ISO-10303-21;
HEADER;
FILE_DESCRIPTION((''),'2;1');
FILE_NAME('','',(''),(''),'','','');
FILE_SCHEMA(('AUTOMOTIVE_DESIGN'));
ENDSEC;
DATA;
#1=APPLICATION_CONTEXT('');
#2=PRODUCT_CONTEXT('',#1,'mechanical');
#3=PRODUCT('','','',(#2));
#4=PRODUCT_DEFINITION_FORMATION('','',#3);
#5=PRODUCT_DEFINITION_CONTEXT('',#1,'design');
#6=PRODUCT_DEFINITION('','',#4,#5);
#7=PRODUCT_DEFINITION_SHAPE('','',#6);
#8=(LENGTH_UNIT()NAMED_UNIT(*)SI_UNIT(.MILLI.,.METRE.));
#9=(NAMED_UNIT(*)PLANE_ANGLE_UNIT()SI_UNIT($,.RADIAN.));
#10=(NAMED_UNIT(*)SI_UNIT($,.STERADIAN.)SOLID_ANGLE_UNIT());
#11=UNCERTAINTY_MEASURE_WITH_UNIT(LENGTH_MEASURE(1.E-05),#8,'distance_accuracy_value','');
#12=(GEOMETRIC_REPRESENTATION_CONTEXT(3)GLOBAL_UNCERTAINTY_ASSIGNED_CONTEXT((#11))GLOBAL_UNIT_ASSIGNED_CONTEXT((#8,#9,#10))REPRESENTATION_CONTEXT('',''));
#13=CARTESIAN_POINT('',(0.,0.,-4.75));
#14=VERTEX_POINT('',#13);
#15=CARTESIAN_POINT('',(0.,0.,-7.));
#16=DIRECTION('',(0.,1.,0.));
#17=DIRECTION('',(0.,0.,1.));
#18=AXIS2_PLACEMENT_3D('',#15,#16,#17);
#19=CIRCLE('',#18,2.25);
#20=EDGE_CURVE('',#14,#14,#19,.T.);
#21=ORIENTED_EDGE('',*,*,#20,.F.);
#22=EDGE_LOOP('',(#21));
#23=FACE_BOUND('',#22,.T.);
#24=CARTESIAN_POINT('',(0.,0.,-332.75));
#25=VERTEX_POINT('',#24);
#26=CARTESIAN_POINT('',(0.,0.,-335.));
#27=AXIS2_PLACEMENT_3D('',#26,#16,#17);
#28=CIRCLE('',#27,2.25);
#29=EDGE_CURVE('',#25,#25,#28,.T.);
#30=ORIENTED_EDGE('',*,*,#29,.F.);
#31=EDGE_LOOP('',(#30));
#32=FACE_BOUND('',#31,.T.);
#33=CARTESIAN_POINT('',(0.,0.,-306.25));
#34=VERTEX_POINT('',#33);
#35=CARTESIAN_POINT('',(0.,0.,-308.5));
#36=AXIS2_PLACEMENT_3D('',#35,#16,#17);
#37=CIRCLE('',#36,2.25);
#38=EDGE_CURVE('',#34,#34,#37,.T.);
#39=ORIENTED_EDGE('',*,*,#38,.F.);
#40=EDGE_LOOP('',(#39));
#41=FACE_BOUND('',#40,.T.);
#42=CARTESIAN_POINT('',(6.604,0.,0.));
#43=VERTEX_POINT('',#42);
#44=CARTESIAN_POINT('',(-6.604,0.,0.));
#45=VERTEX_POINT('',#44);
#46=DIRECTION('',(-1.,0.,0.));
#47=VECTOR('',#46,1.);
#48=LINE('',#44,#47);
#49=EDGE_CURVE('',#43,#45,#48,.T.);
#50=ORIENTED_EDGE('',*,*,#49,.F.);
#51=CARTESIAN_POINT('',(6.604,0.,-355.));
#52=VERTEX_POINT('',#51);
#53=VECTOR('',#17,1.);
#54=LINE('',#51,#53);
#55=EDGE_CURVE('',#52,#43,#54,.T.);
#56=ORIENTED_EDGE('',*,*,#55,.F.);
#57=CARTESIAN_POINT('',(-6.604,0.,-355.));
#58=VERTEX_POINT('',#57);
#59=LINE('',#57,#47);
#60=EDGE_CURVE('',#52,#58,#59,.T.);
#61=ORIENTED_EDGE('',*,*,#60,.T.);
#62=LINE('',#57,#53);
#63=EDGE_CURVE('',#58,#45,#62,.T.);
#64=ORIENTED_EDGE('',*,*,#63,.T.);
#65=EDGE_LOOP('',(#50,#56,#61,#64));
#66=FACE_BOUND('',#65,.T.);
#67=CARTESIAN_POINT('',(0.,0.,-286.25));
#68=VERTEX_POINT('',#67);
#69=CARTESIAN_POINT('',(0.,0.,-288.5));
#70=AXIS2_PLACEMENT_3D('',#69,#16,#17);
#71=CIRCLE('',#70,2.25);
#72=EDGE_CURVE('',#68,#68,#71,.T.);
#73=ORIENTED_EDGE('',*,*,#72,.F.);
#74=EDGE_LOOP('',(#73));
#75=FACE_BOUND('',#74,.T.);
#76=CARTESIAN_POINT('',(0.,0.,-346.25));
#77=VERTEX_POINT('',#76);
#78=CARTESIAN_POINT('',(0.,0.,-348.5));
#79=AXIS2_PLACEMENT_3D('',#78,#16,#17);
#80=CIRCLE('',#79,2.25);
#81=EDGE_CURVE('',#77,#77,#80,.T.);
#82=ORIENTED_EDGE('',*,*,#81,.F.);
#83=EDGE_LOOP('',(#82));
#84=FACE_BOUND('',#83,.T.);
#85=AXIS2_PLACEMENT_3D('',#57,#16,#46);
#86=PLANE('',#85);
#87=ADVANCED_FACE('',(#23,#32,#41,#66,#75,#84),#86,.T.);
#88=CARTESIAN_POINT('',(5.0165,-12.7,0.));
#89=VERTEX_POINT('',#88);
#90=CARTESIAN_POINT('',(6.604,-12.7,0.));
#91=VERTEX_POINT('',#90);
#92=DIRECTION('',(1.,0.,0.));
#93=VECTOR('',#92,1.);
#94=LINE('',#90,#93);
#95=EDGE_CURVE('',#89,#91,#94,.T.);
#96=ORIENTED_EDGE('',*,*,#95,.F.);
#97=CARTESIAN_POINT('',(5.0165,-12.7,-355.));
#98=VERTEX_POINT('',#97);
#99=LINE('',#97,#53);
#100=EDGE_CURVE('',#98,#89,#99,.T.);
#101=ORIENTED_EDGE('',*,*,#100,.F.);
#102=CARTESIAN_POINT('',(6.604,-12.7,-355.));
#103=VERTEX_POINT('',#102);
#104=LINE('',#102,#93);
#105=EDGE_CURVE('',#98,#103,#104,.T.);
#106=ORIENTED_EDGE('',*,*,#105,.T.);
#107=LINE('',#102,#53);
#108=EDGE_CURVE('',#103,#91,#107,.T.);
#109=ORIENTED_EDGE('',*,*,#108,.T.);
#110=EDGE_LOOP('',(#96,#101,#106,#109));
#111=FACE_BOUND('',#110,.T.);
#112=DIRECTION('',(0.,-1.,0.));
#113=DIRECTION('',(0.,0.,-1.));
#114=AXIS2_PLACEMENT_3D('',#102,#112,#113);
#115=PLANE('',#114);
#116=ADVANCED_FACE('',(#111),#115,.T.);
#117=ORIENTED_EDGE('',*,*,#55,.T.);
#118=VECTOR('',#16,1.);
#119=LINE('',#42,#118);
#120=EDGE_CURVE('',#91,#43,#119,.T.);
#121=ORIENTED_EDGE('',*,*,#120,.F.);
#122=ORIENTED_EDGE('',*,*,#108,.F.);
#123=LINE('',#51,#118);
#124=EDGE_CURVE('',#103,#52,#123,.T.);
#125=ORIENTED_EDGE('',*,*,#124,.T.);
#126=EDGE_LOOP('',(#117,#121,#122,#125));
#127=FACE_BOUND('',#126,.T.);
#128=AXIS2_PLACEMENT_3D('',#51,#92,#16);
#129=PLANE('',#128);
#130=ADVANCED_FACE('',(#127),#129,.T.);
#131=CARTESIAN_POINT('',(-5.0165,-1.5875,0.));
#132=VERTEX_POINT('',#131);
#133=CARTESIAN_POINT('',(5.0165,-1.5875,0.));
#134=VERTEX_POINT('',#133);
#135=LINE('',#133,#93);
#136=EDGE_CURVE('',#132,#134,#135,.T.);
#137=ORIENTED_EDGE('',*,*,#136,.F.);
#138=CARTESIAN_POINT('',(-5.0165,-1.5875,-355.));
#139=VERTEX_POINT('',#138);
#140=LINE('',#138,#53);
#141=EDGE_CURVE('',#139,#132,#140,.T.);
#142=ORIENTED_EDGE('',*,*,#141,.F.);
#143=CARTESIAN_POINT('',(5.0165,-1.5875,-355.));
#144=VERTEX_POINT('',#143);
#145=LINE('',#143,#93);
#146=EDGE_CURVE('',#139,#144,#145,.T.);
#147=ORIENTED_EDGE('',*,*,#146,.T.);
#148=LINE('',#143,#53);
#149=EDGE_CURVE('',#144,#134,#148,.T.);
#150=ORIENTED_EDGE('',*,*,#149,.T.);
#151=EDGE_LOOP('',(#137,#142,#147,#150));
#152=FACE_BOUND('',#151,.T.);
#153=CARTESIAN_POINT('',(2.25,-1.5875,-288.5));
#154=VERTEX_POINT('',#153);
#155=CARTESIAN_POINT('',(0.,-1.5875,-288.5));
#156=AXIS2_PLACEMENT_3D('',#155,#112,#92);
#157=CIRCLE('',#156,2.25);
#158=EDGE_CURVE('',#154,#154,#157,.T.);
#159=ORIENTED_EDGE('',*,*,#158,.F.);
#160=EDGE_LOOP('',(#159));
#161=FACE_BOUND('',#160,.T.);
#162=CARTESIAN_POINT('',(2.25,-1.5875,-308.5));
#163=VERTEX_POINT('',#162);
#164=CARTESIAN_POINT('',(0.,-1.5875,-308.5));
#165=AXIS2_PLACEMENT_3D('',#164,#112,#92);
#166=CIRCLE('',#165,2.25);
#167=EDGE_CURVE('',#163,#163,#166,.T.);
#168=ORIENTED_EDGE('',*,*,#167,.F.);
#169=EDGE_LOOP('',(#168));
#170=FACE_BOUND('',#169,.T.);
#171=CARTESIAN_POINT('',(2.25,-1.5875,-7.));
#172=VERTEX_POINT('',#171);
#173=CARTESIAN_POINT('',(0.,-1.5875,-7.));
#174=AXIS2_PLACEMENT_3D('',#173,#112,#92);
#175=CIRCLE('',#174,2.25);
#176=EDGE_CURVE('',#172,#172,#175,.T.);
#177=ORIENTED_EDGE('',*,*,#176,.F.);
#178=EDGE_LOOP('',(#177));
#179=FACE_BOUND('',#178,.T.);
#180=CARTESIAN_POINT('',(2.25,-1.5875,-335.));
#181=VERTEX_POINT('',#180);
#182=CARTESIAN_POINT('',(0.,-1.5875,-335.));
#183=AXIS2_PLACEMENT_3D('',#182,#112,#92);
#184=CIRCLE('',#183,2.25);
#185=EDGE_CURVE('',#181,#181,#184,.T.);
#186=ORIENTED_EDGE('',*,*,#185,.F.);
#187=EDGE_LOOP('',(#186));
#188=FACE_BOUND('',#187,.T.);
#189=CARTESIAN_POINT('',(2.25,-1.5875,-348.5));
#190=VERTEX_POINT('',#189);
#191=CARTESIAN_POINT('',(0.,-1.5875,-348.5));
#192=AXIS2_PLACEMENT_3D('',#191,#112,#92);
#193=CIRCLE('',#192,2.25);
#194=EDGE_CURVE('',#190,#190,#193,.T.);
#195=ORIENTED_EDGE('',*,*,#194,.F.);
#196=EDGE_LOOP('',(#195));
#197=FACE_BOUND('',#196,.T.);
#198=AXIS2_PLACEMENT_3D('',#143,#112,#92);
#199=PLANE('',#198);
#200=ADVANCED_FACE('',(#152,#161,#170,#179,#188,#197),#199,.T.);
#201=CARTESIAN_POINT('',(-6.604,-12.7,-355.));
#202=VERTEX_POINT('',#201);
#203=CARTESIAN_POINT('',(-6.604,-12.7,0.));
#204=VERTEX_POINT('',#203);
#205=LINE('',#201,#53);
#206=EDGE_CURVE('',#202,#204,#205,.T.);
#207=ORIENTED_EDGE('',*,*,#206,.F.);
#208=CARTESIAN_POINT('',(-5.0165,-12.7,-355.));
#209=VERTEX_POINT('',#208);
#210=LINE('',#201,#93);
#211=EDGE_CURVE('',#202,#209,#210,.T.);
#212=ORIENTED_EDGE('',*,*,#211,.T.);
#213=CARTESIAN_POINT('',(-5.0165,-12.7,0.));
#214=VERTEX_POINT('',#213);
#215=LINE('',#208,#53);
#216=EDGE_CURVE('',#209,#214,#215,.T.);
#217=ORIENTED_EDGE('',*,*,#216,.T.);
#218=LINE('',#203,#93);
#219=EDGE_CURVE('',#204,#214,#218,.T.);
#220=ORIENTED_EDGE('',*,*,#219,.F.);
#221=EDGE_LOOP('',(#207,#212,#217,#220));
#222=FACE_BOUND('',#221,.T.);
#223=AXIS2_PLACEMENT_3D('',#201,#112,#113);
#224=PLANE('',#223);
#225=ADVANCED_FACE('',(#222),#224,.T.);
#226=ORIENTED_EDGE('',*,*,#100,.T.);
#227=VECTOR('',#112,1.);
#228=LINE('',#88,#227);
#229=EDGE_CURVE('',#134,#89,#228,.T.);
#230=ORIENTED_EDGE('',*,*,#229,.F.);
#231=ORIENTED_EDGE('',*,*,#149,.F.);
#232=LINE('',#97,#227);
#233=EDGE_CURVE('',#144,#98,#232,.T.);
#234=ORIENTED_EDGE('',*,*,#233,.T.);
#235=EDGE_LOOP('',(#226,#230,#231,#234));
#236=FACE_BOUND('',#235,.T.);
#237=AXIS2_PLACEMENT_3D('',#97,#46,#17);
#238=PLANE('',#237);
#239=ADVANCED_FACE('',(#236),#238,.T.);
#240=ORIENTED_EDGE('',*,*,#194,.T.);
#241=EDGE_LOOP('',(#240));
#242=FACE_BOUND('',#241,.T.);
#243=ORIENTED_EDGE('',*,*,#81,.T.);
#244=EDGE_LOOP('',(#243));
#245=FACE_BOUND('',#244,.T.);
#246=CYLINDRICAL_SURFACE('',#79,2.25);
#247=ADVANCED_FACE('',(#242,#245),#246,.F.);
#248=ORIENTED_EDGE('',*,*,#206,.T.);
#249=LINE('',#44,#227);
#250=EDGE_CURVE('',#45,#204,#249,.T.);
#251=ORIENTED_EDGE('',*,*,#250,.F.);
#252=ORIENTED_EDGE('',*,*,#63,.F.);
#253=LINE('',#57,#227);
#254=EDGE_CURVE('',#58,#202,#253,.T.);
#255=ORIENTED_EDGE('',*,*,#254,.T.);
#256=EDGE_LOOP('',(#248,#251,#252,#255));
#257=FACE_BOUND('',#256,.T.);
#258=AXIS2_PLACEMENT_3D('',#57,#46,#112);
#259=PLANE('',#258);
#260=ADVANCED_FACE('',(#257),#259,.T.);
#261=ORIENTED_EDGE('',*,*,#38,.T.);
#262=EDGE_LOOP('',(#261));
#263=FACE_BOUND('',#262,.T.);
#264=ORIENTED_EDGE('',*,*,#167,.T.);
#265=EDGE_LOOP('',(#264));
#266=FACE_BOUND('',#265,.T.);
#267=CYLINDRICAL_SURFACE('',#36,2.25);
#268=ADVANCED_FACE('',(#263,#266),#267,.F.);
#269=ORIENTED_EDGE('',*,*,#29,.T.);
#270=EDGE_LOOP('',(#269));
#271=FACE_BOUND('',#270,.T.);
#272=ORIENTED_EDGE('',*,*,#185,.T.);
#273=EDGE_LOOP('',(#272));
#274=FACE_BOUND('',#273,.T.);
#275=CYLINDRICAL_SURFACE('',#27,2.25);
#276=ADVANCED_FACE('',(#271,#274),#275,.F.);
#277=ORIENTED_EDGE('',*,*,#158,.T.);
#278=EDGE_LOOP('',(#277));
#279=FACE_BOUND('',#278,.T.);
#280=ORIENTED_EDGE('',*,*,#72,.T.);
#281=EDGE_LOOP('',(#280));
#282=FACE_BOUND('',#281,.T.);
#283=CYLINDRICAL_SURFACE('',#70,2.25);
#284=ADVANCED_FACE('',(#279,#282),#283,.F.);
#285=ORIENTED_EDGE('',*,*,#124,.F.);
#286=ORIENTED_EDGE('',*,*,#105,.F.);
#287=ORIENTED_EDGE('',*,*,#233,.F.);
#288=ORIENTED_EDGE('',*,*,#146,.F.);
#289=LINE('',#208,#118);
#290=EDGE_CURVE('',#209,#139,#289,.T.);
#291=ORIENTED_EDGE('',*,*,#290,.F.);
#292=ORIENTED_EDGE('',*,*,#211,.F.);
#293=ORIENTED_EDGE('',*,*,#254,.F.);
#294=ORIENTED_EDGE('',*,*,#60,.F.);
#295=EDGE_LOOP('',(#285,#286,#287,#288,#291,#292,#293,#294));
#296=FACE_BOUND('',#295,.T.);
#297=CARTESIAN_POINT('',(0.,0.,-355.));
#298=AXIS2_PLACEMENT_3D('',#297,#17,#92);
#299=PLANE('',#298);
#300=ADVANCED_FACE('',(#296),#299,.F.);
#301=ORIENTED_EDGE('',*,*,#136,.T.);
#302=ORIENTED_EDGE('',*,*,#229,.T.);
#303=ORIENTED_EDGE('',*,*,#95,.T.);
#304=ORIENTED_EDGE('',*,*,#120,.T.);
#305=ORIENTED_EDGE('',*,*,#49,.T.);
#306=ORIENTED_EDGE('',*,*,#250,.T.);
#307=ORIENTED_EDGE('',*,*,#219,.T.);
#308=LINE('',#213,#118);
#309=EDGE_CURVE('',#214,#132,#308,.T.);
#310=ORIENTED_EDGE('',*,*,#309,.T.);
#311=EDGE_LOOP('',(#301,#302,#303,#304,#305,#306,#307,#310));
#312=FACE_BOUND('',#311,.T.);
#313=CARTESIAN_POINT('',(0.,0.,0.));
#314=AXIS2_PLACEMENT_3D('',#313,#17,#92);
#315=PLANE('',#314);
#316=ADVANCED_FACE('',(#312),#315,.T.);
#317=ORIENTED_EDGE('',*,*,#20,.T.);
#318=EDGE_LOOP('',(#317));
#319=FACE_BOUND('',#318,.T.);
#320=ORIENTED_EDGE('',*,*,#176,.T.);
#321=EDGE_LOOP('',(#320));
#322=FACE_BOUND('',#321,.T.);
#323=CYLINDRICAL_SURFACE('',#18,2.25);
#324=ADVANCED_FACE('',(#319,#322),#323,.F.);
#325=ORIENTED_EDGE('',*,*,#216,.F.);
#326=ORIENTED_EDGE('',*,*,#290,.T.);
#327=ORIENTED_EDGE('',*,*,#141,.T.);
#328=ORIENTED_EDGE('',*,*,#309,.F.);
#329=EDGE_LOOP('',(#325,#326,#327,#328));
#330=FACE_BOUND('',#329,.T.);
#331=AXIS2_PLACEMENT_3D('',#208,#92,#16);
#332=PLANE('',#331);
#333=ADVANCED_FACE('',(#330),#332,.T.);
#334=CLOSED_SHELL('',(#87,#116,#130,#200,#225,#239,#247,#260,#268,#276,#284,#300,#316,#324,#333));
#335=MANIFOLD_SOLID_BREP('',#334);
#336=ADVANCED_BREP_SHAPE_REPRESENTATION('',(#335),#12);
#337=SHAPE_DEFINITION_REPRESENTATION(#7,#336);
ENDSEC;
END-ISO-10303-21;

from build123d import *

# Parameters (mm, degrees)
BOSS_EXTRUDE1_DEPTH  = 355
M4_CLEARANCE_HOLE2_D = 4.5


with BuildPart() as part:
    # Sketch1 → Boss-Extrude1 (new body)
    with BuildSketch(Plane.XY):
        Polygon((-6.604, 0), (6.604, 0), (6.604, -12.7), (5.0165, -12.7), (5.0165, -1.5875), (-5.0165, -1.5875), (-5.0165, -12.7), (-6.604, -12.7), align=None)
    extrude(amount=-BOSS_EXTRUDE1_DEPTH)

    # M4 Clearance Hole2 (through all)
    with Locations(Plane(origin=(0, 0, 0), x_dir=(1, 0, 0), z_dir=(0, 1, 0))):
        with Locations((0, 288.5), (0, 7), (0, 348.5), (0, 308.5), (0, 335)):
            Hole(M4_CLEARANCE_HOLE2_D / 2)


solid = part.part
